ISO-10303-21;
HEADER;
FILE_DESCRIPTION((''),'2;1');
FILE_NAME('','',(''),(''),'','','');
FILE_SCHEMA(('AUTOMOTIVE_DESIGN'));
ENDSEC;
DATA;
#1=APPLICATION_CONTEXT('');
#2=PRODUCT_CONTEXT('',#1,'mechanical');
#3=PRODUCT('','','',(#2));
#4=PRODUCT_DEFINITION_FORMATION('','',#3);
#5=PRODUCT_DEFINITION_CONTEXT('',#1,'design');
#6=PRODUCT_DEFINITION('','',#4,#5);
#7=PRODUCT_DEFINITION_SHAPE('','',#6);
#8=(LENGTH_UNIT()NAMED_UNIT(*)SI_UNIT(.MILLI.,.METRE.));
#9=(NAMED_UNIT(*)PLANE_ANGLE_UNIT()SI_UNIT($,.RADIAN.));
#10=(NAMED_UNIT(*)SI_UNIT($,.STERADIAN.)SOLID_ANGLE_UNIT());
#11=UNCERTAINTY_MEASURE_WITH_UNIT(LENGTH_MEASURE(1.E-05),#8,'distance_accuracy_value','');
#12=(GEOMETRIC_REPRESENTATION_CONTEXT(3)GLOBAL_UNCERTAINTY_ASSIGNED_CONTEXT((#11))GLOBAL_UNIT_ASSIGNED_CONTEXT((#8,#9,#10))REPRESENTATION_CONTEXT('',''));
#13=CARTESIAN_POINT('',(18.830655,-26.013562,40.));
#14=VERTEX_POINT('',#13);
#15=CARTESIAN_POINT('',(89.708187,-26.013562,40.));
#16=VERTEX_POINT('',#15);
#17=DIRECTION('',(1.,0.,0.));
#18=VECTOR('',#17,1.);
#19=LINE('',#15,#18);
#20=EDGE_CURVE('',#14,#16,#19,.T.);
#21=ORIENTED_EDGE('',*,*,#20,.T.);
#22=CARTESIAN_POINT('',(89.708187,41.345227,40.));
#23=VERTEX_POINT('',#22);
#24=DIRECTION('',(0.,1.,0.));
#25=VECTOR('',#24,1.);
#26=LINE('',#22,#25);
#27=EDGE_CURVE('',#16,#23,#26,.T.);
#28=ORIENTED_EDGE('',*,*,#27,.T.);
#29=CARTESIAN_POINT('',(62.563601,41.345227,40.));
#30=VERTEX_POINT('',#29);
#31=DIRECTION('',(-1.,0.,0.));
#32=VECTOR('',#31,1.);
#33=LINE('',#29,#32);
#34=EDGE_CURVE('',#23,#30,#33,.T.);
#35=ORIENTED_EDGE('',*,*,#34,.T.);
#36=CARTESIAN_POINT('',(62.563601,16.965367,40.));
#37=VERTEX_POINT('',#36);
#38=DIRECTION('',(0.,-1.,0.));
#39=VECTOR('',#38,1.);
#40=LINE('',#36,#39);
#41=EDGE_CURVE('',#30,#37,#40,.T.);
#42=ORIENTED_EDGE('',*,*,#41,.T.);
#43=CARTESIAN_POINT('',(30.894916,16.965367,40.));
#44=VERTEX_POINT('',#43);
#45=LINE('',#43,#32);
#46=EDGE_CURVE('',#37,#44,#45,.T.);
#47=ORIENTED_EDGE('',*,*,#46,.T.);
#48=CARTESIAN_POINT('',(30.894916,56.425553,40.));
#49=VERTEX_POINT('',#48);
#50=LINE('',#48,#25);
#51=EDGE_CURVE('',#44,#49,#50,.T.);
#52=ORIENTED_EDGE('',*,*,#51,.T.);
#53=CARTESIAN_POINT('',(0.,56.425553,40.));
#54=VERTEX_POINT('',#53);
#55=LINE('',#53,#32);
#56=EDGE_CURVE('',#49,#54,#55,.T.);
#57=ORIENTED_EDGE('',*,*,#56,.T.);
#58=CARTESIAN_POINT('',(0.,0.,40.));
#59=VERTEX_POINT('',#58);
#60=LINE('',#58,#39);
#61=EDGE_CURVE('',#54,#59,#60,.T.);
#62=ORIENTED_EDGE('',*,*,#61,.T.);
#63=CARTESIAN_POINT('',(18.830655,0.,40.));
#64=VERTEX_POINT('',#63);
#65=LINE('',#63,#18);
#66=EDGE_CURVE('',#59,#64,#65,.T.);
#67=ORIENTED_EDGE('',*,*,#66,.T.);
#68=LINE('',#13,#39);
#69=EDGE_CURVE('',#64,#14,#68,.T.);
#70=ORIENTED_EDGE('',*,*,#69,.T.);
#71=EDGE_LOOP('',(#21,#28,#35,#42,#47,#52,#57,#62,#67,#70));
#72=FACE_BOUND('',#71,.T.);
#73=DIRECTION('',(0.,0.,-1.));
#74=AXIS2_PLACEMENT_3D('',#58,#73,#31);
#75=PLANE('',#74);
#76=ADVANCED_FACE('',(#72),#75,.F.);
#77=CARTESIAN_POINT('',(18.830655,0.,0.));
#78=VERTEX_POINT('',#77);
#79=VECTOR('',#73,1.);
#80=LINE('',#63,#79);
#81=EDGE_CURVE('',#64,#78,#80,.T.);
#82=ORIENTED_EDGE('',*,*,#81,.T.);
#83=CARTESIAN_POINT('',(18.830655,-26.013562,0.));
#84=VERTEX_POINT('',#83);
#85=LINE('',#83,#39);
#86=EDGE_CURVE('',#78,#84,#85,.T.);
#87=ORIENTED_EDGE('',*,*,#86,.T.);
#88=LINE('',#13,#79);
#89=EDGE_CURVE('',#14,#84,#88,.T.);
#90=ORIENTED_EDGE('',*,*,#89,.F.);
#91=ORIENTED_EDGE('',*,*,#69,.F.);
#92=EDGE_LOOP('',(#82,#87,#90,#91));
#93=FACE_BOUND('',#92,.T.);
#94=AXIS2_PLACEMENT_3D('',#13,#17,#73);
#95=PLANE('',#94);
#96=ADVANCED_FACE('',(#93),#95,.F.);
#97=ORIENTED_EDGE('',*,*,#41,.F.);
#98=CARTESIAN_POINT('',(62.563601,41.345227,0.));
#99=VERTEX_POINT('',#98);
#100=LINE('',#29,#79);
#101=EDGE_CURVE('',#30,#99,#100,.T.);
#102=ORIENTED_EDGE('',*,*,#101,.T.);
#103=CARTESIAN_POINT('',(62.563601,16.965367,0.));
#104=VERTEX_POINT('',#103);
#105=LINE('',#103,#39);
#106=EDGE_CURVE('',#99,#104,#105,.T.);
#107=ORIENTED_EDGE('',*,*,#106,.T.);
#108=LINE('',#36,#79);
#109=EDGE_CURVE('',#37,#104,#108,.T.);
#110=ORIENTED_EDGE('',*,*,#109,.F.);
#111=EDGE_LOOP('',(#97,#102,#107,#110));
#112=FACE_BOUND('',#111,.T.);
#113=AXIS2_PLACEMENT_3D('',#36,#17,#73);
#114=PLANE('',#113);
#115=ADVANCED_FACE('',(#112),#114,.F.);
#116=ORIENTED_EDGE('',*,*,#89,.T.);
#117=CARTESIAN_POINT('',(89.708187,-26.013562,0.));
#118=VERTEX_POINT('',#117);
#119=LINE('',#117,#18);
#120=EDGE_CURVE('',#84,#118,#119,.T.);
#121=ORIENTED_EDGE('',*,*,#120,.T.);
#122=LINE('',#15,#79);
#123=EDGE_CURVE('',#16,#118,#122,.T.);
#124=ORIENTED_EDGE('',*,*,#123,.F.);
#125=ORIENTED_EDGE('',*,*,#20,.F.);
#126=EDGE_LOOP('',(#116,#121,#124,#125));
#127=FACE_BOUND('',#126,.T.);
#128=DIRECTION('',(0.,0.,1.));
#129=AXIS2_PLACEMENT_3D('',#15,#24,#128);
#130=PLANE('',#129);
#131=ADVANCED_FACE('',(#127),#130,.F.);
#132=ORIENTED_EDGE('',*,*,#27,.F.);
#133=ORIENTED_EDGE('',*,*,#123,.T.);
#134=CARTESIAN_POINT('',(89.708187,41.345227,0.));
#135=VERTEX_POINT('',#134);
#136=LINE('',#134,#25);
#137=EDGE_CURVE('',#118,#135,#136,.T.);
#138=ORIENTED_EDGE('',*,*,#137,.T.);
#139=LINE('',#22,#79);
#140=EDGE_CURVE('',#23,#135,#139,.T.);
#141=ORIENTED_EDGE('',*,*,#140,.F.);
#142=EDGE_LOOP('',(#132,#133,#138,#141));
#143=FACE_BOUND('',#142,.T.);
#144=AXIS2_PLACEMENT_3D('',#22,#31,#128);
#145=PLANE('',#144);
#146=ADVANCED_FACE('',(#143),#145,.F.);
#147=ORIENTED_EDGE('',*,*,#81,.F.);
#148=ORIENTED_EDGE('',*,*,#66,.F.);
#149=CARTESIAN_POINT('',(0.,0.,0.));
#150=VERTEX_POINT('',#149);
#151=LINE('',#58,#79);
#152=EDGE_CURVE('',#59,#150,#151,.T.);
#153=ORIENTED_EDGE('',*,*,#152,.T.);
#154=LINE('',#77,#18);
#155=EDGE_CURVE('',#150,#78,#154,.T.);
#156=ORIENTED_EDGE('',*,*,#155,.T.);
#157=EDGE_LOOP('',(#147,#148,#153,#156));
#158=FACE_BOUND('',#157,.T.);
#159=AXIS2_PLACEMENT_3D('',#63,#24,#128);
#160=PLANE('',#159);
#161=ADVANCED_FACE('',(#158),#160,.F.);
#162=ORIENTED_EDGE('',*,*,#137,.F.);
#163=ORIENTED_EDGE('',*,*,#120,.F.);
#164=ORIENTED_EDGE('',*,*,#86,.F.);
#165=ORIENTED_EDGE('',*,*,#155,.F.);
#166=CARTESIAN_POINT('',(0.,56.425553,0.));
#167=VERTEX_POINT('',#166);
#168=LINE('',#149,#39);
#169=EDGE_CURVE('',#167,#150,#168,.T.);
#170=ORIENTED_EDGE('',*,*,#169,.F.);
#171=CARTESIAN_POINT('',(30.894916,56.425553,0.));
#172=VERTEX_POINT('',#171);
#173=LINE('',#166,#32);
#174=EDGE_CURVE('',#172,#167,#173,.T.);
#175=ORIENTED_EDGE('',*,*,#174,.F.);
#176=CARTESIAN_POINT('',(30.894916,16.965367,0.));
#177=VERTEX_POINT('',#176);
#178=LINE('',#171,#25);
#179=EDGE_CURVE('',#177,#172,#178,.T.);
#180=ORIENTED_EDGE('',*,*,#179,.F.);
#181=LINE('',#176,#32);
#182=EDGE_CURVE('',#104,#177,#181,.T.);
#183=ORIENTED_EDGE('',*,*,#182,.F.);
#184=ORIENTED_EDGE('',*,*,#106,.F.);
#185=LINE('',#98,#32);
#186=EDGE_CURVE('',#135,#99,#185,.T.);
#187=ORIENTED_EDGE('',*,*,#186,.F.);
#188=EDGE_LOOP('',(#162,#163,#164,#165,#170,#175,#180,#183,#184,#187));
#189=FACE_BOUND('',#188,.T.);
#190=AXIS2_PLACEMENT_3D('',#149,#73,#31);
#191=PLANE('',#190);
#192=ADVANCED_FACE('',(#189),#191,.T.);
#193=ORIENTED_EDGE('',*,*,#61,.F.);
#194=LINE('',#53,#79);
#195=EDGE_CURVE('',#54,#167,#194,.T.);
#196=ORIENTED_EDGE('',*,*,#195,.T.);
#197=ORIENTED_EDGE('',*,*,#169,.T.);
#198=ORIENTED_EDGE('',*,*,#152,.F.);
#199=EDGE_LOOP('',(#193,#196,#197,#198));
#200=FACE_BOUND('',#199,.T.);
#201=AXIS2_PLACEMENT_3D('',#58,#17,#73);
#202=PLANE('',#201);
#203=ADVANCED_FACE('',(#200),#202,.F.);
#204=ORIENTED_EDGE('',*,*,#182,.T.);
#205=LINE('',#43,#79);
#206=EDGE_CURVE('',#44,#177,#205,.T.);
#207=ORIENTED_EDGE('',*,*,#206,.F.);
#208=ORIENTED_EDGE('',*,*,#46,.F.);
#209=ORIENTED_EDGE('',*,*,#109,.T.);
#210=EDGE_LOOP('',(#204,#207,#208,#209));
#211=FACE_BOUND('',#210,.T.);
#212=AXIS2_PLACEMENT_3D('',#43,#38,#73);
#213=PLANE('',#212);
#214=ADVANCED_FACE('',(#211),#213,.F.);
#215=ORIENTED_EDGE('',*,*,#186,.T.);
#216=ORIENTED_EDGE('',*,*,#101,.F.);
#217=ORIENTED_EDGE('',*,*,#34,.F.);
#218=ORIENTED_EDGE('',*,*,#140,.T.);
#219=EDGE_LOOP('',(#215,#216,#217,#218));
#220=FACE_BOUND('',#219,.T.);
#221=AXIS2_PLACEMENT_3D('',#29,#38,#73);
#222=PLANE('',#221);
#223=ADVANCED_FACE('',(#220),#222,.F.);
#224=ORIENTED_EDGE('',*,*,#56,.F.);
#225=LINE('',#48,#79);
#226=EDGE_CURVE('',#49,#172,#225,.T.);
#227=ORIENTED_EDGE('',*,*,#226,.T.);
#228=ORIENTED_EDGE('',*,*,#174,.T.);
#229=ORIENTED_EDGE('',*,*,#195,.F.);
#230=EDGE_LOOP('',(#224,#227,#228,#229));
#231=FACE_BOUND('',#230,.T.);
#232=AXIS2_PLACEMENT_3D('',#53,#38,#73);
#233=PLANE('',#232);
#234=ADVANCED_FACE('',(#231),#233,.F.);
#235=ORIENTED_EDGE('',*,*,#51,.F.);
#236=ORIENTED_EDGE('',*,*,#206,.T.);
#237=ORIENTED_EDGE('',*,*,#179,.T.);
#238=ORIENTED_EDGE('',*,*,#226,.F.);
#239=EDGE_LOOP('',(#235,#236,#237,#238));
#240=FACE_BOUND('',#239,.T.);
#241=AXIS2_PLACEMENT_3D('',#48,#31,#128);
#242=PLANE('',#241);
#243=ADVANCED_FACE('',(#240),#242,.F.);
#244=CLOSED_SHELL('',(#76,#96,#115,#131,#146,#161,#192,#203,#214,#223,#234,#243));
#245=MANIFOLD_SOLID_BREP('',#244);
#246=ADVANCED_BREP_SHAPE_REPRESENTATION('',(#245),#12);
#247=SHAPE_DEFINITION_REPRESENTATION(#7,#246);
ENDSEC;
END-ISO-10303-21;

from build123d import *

# Parameters (mm, degrees)
BOSS_EXTRU_1_DEPTH = 40


with BuildPart() as part:
    # Esquisse1 → Boss.-Extru.1 (new body)
    with BuildSketch(Plane.XY):
        Polygon((0, 0), (0, 56.425552969), (30.894916083, 56.425552969), (30.894916083, 16.965366705), (62.5636006, 16.965366705), (62.5636006, 41.345227008), (89.708187329, 41.345227008), (89.708187329, -26.013562282), (18.830655315, -26.013562282), (18.830655315, 0), align=None)
    extrude(amount=BOSS_EXTRU_1_DEPTH)


solid = part.part
